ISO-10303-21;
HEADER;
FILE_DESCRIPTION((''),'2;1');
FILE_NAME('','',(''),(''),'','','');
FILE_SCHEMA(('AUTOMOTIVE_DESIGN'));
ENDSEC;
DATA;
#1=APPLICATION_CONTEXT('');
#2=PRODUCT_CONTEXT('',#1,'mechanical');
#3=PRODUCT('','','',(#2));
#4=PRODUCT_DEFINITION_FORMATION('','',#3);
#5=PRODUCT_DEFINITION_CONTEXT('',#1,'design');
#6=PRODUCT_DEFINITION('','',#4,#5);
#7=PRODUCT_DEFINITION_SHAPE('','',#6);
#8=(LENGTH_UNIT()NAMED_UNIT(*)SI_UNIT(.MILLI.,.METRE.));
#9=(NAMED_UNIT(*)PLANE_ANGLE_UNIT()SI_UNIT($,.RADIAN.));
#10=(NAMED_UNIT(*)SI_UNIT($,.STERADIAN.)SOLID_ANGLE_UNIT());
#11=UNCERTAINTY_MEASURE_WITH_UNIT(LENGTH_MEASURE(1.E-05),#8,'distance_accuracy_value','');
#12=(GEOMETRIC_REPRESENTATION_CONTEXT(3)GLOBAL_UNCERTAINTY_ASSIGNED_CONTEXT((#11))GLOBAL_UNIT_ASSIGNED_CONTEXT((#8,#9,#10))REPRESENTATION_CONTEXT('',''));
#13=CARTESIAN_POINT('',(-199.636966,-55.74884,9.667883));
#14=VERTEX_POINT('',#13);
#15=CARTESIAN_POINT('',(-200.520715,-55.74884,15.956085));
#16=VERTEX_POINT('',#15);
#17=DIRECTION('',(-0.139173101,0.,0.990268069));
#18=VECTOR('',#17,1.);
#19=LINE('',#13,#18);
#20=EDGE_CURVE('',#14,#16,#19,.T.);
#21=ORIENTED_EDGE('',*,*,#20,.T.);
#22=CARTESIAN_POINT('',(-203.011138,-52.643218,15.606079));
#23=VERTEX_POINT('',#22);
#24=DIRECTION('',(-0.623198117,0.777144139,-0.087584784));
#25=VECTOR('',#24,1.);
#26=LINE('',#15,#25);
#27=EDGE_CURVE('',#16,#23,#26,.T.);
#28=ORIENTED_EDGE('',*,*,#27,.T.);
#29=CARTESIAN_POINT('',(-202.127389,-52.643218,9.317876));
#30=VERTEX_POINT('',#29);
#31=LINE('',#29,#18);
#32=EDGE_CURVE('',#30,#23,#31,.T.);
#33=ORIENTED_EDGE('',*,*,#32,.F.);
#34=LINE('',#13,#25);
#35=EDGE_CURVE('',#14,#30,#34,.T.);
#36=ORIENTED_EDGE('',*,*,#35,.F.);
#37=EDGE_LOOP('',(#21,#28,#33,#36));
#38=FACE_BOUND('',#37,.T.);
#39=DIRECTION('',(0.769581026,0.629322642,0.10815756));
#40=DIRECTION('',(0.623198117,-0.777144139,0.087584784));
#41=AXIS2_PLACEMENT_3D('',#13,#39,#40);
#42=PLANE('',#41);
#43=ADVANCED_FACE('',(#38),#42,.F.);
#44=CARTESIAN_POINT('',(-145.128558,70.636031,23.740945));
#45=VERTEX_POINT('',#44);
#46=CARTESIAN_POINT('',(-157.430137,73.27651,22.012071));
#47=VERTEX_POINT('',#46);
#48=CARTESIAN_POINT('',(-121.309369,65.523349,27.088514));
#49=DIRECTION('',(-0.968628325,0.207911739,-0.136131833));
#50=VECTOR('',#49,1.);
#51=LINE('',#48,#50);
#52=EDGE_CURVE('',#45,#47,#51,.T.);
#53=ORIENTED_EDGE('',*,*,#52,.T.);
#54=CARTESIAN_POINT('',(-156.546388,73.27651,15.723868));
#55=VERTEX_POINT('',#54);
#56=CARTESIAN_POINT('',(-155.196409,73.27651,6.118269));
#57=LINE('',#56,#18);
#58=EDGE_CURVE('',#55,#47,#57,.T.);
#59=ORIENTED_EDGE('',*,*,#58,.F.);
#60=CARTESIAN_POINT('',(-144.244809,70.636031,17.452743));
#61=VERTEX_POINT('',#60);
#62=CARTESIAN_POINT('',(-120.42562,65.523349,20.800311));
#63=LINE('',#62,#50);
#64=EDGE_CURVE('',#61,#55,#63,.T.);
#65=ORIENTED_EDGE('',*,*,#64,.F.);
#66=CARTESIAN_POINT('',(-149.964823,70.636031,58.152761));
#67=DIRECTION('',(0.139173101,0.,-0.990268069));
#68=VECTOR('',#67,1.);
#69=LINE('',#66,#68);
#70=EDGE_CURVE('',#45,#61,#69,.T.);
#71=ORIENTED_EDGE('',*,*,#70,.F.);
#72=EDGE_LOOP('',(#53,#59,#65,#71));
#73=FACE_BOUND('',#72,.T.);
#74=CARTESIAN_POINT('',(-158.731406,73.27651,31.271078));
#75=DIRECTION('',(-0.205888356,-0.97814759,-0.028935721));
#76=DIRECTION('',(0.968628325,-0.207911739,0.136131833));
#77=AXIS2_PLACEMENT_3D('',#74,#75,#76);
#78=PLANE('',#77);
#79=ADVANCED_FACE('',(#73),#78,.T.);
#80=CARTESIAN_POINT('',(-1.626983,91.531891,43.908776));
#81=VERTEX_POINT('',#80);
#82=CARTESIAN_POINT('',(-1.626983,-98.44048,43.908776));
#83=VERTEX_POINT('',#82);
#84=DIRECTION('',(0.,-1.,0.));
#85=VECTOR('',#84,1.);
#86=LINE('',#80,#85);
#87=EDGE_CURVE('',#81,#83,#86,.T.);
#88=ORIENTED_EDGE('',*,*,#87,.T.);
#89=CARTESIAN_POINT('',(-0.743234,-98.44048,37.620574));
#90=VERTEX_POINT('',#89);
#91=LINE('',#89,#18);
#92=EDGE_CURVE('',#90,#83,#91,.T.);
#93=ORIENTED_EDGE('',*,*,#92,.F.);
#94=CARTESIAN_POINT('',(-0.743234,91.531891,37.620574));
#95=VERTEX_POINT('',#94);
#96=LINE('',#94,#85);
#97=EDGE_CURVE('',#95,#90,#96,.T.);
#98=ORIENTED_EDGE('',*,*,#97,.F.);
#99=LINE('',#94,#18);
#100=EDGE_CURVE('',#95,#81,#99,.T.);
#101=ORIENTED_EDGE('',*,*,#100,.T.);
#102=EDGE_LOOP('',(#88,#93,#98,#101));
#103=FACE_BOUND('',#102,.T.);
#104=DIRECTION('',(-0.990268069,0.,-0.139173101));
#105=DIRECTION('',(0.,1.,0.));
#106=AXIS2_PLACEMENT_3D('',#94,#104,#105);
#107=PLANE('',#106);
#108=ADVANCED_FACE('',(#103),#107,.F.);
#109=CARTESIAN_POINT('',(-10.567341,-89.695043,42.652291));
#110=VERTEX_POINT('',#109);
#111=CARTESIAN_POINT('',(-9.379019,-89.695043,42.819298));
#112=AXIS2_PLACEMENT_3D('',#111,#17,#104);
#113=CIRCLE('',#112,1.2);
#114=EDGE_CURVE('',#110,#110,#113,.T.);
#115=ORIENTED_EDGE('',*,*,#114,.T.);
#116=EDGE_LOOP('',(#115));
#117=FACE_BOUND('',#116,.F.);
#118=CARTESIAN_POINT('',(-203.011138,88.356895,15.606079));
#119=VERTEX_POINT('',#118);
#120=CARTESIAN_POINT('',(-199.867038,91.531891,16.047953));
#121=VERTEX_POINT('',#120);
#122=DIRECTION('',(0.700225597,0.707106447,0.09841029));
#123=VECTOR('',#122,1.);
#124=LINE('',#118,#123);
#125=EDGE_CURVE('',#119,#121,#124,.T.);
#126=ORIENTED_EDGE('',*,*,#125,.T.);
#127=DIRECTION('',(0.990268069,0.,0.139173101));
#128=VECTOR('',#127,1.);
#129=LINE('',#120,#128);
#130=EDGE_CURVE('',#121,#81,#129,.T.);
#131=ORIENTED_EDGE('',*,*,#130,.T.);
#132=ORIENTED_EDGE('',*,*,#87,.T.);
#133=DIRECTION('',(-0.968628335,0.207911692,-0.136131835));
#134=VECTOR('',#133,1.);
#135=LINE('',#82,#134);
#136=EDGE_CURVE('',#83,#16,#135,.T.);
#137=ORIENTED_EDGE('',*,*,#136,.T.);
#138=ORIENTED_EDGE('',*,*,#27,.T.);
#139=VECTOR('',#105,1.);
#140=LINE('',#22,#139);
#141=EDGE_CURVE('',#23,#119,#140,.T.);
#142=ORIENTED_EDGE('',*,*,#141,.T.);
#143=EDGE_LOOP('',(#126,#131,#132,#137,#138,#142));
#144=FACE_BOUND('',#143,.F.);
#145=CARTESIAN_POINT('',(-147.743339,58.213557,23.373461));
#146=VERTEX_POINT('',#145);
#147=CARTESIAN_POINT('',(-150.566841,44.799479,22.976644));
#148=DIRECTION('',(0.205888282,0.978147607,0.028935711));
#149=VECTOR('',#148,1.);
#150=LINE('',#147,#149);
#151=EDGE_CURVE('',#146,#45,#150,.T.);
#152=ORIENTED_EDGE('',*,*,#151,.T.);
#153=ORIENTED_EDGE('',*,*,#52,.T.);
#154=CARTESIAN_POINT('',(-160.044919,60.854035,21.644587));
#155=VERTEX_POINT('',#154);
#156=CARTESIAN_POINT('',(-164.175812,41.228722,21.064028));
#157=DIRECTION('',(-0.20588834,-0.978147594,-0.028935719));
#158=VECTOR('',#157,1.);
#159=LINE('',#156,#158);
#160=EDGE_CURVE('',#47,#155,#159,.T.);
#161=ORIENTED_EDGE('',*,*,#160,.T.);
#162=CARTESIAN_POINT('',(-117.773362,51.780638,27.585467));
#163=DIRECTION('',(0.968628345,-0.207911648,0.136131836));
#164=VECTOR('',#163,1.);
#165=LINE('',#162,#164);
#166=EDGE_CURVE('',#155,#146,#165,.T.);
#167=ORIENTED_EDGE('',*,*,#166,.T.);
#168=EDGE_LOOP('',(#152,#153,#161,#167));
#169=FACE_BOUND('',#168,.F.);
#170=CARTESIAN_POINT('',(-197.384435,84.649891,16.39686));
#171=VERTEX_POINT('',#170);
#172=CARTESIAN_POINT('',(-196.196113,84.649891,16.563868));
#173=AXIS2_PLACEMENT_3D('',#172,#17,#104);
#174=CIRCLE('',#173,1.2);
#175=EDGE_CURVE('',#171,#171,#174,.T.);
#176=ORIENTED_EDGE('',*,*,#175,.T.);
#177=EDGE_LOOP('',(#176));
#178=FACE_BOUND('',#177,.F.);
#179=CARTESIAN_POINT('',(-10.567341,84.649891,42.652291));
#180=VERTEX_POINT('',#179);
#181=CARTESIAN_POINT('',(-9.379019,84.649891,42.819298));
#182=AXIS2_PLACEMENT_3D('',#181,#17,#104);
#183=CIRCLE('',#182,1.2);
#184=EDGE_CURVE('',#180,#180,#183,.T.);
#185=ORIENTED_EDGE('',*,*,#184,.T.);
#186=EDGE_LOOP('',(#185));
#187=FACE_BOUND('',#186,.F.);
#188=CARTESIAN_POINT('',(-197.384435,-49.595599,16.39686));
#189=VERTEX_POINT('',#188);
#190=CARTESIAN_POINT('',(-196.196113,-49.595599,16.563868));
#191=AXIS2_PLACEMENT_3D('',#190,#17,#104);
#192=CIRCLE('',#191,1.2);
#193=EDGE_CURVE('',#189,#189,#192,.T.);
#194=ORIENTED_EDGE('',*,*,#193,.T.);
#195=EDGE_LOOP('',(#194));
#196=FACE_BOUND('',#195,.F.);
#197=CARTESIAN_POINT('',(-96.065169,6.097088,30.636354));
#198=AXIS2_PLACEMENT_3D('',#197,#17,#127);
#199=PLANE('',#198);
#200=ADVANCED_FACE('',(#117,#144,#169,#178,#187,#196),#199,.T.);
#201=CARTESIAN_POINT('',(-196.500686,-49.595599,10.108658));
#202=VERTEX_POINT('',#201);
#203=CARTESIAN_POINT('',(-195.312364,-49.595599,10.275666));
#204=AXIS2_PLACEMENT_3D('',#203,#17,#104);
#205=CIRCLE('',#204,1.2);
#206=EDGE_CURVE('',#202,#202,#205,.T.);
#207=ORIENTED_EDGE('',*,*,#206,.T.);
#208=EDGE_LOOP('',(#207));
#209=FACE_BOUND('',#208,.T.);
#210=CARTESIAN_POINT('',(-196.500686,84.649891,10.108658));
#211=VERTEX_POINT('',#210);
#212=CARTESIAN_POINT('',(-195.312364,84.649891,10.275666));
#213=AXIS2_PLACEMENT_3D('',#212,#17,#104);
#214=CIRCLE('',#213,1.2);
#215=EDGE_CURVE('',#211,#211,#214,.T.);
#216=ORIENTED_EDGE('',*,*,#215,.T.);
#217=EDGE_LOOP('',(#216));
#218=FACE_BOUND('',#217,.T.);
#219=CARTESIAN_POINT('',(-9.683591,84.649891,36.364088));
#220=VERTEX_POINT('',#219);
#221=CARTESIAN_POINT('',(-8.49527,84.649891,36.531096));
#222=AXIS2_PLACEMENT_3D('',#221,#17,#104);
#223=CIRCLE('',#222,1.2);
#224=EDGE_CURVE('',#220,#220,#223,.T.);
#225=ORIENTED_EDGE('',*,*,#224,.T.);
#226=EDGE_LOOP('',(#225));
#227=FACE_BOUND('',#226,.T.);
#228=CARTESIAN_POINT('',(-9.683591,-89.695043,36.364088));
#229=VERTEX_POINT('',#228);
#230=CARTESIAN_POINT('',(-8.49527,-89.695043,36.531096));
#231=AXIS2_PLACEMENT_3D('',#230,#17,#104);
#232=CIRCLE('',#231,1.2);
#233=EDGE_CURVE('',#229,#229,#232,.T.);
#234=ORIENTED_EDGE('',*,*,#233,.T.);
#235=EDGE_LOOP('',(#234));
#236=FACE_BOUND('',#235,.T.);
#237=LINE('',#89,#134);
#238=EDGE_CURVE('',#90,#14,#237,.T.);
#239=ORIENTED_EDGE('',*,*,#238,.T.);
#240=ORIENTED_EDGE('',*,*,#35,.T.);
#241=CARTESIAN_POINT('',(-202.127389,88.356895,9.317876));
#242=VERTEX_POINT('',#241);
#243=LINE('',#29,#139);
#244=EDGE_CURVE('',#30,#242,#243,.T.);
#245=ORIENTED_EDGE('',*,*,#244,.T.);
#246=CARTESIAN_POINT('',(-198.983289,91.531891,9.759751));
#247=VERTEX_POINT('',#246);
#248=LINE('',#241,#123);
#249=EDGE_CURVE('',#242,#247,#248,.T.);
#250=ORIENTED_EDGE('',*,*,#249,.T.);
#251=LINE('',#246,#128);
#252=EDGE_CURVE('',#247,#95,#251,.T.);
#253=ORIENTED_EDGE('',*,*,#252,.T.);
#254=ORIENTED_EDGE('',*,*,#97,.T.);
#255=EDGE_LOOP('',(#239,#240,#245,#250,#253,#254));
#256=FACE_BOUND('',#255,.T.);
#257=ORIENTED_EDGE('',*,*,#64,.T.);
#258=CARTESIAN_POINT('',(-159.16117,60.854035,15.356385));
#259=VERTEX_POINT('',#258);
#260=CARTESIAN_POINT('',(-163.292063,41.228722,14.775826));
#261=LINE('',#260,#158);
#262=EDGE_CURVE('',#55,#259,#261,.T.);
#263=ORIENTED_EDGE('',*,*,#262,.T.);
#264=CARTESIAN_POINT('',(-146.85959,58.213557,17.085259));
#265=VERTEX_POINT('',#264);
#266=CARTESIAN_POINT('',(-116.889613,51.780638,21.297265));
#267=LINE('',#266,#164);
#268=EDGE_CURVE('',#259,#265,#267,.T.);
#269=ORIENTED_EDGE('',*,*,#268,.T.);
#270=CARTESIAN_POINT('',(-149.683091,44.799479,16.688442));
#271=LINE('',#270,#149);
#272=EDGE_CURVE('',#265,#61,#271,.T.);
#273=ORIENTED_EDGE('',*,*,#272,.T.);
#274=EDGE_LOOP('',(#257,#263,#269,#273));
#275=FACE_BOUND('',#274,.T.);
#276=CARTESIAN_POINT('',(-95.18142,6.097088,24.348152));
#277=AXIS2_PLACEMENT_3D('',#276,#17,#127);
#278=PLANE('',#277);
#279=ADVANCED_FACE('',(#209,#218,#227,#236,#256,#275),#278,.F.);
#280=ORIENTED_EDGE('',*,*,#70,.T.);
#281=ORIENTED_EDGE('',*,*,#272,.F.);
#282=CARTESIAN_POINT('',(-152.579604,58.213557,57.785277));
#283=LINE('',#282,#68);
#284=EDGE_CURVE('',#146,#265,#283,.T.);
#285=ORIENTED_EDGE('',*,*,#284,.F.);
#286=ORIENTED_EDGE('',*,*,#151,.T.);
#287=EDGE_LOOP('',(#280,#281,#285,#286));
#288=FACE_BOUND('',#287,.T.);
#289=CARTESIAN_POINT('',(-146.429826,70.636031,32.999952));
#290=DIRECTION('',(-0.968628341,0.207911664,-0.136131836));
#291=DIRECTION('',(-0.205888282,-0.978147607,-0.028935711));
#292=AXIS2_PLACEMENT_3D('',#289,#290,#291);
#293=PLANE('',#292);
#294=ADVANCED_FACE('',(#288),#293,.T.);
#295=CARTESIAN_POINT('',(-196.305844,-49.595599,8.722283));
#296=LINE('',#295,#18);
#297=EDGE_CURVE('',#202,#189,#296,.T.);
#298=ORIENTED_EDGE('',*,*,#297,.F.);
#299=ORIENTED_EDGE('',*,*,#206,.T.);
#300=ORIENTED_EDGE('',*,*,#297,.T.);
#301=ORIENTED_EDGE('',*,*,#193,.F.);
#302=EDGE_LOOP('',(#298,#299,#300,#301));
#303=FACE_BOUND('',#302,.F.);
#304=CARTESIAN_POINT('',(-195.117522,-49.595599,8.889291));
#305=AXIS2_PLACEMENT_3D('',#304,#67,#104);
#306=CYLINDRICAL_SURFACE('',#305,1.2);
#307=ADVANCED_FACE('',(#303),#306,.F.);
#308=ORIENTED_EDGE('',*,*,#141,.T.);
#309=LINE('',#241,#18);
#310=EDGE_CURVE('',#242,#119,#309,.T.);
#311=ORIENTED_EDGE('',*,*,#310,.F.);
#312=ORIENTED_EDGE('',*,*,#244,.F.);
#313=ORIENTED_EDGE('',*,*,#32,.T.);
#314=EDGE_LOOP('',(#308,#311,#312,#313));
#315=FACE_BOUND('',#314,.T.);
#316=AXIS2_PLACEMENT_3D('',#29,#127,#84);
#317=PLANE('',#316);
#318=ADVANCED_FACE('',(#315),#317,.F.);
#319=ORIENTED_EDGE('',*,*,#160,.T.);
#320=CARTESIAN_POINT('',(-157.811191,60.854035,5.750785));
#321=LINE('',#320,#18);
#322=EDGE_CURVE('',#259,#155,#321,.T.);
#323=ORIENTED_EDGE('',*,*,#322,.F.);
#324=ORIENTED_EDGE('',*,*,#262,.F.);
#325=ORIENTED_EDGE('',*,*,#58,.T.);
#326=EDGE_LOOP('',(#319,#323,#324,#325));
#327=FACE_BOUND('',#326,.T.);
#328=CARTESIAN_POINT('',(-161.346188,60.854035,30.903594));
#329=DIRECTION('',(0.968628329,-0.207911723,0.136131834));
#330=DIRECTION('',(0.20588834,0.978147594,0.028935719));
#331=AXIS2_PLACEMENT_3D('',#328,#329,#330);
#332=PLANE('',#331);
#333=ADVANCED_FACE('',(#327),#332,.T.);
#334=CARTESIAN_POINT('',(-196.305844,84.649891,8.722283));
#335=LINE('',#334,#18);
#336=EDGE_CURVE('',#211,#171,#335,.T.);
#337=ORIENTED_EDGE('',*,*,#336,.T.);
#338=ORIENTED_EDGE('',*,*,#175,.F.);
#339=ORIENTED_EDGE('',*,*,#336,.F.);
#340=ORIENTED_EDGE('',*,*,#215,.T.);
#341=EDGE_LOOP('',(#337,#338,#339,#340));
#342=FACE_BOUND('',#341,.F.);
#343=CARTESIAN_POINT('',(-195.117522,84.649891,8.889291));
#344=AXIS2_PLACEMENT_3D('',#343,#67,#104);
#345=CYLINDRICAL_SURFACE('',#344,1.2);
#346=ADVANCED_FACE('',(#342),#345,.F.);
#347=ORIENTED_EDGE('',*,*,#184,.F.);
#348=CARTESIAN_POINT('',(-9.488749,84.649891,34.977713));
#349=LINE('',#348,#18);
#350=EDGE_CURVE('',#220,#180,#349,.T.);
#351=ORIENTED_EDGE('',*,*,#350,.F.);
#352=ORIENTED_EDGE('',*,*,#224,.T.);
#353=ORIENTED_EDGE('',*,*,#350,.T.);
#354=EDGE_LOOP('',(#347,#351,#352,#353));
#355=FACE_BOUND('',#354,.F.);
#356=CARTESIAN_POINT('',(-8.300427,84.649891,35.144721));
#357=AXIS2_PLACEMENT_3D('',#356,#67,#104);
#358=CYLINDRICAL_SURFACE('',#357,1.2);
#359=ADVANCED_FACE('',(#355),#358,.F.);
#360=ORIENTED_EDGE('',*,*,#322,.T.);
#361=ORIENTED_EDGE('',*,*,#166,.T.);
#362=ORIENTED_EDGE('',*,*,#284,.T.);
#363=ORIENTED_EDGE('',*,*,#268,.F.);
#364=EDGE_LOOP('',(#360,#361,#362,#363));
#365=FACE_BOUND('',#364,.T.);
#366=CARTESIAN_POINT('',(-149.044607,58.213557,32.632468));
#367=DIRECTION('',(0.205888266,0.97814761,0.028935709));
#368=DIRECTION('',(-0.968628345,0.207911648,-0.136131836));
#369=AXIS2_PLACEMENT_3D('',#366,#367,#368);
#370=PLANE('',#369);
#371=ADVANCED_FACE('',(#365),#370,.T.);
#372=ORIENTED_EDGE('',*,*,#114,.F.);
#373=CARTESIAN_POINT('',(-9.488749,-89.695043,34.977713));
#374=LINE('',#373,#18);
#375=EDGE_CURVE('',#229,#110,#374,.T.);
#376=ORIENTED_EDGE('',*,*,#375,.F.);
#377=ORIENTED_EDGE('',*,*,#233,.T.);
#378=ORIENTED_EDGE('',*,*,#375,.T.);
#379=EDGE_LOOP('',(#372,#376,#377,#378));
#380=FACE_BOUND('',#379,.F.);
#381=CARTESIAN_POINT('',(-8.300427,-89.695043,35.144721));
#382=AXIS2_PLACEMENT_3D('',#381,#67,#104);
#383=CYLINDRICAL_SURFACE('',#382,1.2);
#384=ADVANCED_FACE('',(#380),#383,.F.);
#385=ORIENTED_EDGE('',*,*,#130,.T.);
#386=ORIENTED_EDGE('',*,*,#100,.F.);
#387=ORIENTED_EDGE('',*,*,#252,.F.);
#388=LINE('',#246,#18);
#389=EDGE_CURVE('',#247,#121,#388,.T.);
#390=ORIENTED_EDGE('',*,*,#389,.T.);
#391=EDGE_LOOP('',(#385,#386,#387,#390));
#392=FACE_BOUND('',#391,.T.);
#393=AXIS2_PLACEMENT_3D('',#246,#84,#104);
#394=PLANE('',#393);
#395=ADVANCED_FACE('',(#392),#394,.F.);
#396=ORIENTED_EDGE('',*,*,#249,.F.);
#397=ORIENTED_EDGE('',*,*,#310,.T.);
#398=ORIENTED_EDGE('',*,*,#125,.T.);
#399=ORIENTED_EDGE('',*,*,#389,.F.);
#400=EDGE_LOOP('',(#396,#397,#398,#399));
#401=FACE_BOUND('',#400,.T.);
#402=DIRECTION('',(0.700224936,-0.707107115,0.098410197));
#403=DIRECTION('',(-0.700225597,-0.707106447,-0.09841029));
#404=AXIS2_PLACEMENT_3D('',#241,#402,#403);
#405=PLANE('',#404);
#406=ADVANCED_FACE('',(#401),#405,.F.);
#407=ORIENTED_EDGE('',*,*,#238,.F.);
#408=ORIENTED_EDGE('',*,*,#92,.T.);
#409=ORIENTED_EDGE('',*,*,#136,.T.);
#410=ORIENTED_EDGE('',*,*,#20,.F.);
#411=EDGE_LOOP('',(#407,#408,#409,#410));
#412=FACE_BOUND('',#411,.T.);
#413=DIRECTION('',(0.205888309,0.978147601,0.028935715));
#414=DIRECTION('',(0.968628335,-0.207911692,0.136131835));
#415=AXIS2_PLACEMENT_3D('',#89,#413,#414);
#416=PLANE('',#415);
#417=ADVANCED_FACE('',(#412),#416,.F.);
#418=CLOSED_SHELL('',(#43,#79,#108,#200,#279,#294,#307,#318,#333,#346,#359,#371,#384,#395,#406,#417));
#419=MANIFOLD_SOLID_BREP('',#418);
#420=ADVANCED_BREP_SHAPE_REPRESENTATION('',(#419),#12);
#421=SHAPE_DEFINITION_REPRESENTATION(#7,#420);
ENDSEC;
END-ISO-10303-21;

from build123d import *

# Parameters (mm, degrees)
EXTRUDE018_DEPTH                          = 25.4
EXTRUDE018_ONTO_SKETCH024_PLACEMENT_ANGLE = 8
SKETCH018_AS_DRAWN_R                      = 1.2
EXTRUDE009_DEPTH                          = 7.8
EXTRUDE009_ONTO_SKETCH018_PLACEMENT_ANGLE = 8
EXTRUDE012_DEPTH                          = 6.35
EXTRUDE012_ONTO_SKETCH021_PLACEMENT_ANGLE = 8


with BuildPart() as reset_switch_hole:
    # Sketch024 as drawn → Extrude018 (new, symmetric)
    with BuildSketch(Plane.XY):
        Polygon((-152.83455, 73.27651), (-140.412076, 70.636031), (-143.052554, 58.213557), (-155.475029, 60.854035), align=None)
    extrude(amount=EXTRUDE018_DEPTH, both=True)


with BuildPart() as reset_switch_hole_1:
    # Extrude018 onto Sketch024 placement: moved
    add(reset_switch_hole.part.moved(Location((-7.384231, 0, 52.541536))).rotate(Axis((-7.384231, 0, 52.541536), (0, -1, 0)), EXTRUDE018_ONTO_SKETCH024_PLACEMENT_ANGLE))


with BuildPart() as screw_hole_cuts:
    # Sketch018 as drawn → Extrude009 (new)
    with BuildSketch(Plane.XY):
        with Locations((-31.998318, 84.649891)):
            Circle(SKETCH018_AS_DRAWN_R)
        with Locations((-31.998318, -89.695043)):
            Circle(SKETCH018_AS_DRAWN_R)
        with Locations((156.654735, -49.595599)):
            Circle(SKETCH018_AS_DRAWN_R)
        with Locations((156.654735, 84.649891)):
            Circle(SKETCH018_AS_DRAWN_R)
    extrude(amount=EXTRUDE009_DEPTH)


with BuildPart() as screw_hole_cuts_1:
    # Extrude009 onto Sketch018 placement: moved
    add(screw_hole_cuts.part.moved(Location((39.98734, 0, 30.691416))).rotate(Axis((39.98734, 0, 30.691416), (0, 1, 0)), EXTRUDE009_ONTO_SKETCH018_PLACEMENT_ANGLE))


with BuildPart() as right_top_solid_w_screw_holes:
    # Sketch021 as drawn → Extrude012 (new)
    with BuildSketch(Plane.XY):
        Polygon((-39.826537, 91.531891), (-39.826537, -98.44048), (161.021837, -55.74884), (163.536735, -52.643218), (163.536735, 88.356895), (160.361736, 91.531891), align=None)
    extrude(amount=EXTRUDE012_DEPTH)


with BuildPart() as right_top_solid_w_screw_holes_1:
    # Extrude012 onto Sketch021 placement: moved
    add(right_top_solid_w_screw_holes.part.moved(Location((40.182182, 0, 32.077791))).rotate(Axis((40.182182, 0, 32.077791), (0, 1, 0)), EXTRUDE012_ONTO_SKETCH021_PLACEMENT_ANGLE))

    # Cut004: cut Screw Hole Cuts
    add(screw_hole_cuts_1.part, mode=Mode.SUBTRACT)


with BuildPart() as cut013:
    # Part__Mirroring002: instance of Right Top Solid w/ Screw Holes
    add(right_top_solid_w_screw_holes_1.part.mirror(Plane(origin=(0, 0, 0), x_dir=(0, -1, 0), z_dir=(1, 0, 0))))

    # Cut013: cut Reset Switch Hole
    add(reset_switch_hole_1.part, mode=Mode.SUBTRACT)


solid = cut013.part
